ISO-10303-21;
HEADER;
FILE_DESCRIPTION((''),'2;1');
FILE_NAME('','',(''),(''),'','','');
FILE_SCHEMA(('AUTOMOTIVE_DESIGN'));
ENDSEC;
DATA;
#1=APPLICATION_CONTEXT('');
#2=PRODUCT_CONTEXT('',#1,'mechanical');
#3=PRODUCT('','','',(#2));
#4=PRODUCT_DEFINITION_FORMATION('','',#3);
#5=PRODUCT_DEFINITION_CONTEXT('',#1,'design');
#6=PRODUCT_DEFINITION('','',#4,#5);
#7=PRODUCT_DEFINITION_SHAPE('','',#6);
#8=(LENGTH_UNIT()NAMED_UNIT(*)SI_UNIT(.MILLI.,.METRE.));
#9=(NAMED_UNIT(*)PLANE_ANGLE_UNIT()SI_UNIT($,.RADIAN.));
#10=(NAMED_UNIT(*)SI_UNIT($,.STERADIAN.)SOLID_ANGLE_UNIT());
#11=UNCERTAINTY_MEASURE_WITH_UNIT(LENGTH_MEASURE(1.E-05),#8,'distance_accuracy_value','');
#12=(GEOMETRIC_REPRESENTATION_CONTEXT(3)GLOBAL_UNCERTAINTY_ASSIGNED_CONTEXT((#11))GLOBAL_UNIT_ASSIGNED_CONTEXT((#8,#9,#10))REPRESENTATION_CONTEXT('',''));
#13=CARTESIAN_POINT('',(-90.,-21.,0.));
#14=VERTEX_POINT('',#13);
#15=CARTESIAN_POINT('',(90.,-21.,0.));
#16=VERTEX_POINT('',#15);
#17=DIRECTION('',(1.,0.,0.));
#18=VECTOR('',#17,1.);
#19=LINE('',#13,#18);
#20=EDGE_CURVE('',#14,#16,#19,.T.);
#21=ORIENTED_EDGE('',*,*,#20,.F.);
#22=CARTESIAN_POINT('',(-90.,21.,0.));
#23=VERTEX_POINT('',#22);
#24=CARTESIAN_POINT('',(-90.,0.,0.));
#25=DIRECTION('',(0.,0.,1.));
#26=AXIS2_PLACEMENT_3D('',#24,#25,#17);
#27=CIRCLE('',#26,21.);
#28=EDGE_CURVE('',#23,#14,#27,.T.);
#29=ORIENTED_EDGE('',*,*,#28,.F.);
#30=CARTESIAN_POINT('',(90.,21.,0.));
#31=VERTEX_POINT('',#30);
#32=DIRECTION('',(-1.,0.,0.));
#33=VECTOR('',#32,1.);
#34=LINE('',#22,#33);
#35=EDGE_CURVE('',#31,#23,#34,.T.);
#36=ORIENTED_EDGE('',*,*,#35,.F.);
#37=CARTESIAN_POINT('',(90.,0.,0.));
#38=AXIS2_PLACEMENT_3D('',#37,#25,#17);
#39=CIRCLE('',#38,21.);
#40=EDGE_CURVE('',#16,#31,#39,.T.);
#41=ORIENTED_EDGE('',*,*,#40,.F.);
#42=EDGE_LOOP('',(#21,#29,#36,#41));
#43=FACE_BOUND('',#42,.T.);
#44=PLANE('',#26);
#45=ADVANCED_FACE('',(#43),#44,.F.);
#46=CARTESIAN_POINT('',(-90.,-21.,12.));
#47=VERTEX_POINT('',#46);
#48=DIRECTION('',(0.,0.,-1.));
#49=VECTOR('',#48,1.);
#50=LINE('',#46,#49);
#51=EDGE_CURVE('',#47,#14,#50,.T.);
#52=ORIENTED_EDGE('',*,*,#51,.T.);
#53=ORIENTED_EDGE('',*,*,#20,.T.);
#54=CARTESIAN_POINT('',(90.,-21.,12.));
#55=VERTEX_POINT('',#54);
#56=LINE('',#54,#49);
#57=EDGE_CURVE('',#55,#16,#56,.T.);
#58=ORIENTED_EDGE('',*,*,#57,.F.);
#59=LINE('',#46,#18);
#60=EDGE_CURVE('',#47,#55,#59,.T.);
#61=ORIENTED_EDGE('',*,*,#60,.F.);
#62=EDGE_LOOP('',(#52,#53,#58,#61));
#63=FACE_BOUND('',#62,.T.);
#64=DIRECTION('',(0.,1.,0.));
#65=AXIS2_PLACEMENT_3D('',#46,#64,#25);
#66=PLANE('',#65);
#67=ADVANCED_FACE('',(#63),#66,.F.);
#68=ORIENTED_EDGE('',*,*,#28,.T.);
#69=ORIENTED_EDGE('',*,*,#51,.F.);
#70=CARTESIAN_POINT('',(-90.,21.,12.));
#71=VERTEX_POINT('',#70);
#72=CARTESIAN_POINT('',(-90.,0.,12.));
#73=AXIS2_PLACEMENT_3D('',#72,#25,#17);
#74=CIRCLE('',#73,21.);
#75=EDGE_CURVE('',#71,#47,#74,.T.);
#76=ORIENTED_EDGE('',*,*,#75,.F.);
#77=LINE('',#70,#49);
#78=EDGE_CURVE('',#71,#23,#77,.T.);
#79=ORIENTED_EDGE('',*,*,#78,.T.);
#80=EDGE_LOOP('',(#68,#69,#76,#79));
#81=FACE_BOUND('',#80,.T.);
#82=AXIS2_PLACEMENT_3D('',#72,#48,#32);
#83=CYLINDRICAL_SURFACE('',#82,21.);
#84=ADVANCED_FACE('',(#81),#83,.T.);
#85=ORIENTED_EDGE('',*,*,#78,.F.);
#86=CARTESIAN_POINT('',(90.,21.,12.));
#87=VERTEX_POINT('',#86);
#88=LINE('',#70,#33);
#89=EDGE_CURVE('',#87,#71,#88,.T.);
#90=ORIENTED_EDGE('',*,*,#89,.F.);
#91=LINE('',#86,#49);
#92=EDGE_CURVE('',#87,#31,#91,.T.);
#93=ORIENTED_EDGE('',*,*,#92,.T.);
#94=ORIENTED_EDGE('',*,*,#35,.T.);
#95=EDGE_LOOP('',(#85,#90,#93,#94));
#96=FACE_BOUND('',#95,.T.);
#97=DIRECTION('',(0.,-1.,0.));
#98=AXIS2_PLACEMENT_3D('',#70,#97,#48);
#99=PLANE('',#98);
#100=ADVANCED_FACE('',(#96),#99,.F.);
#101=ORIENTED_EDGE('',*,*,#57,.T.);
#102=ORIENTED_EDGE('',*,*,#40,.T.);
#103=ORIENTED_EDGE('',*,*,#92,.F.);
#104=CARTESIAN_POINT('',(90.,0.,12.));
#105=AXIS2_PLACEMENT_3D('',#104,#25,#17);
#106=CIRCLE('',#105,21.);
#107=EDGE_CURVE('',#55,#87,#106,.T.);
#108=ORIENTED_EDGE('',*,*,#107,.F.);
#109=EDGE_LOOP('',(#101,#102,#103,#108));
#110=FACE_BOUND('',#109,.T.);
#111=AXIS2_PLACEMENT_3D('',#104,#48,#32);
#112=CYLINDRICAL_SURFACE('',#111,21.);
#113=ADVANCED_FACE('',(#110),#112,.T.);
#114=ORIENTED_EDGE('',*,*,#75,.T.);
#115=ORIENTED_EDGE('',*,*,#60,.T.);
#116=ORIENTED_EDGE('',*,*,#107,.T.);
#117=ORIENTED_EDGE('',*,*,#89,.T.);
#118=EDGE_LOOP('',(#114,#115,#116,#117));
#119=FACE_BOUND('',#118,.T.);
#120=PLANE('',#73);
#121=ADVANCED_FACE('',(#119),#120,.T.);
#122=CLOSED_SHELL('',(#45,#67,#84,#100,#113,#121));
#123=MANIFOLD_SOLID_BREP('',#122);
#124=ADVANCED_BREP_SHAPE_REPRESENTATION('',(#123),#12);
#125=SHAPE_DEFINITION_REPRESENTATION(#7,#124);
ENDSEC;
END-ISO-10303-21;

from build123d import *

# Parameters (mm, degrees)
EXTRUDE_1_DEPTH = 12


with BuildPart() as part:
    # 草图2 → 凸台-拉伸1 (new body)
    with BuildSketch(Plane.XY):
        with BuildLine():
            Line((-90, 21), (90, 21))
            ThreePointArc((90, 21), (111, 0), (90, -21))
            Line((90, -21), (-90, -21))
            ThreePointArc((-90, -21), (-111, 0), (-90, 21))
        make_face()
    extrude(amount=EXTRUDE_1_DEPTH)


solid = part.part
